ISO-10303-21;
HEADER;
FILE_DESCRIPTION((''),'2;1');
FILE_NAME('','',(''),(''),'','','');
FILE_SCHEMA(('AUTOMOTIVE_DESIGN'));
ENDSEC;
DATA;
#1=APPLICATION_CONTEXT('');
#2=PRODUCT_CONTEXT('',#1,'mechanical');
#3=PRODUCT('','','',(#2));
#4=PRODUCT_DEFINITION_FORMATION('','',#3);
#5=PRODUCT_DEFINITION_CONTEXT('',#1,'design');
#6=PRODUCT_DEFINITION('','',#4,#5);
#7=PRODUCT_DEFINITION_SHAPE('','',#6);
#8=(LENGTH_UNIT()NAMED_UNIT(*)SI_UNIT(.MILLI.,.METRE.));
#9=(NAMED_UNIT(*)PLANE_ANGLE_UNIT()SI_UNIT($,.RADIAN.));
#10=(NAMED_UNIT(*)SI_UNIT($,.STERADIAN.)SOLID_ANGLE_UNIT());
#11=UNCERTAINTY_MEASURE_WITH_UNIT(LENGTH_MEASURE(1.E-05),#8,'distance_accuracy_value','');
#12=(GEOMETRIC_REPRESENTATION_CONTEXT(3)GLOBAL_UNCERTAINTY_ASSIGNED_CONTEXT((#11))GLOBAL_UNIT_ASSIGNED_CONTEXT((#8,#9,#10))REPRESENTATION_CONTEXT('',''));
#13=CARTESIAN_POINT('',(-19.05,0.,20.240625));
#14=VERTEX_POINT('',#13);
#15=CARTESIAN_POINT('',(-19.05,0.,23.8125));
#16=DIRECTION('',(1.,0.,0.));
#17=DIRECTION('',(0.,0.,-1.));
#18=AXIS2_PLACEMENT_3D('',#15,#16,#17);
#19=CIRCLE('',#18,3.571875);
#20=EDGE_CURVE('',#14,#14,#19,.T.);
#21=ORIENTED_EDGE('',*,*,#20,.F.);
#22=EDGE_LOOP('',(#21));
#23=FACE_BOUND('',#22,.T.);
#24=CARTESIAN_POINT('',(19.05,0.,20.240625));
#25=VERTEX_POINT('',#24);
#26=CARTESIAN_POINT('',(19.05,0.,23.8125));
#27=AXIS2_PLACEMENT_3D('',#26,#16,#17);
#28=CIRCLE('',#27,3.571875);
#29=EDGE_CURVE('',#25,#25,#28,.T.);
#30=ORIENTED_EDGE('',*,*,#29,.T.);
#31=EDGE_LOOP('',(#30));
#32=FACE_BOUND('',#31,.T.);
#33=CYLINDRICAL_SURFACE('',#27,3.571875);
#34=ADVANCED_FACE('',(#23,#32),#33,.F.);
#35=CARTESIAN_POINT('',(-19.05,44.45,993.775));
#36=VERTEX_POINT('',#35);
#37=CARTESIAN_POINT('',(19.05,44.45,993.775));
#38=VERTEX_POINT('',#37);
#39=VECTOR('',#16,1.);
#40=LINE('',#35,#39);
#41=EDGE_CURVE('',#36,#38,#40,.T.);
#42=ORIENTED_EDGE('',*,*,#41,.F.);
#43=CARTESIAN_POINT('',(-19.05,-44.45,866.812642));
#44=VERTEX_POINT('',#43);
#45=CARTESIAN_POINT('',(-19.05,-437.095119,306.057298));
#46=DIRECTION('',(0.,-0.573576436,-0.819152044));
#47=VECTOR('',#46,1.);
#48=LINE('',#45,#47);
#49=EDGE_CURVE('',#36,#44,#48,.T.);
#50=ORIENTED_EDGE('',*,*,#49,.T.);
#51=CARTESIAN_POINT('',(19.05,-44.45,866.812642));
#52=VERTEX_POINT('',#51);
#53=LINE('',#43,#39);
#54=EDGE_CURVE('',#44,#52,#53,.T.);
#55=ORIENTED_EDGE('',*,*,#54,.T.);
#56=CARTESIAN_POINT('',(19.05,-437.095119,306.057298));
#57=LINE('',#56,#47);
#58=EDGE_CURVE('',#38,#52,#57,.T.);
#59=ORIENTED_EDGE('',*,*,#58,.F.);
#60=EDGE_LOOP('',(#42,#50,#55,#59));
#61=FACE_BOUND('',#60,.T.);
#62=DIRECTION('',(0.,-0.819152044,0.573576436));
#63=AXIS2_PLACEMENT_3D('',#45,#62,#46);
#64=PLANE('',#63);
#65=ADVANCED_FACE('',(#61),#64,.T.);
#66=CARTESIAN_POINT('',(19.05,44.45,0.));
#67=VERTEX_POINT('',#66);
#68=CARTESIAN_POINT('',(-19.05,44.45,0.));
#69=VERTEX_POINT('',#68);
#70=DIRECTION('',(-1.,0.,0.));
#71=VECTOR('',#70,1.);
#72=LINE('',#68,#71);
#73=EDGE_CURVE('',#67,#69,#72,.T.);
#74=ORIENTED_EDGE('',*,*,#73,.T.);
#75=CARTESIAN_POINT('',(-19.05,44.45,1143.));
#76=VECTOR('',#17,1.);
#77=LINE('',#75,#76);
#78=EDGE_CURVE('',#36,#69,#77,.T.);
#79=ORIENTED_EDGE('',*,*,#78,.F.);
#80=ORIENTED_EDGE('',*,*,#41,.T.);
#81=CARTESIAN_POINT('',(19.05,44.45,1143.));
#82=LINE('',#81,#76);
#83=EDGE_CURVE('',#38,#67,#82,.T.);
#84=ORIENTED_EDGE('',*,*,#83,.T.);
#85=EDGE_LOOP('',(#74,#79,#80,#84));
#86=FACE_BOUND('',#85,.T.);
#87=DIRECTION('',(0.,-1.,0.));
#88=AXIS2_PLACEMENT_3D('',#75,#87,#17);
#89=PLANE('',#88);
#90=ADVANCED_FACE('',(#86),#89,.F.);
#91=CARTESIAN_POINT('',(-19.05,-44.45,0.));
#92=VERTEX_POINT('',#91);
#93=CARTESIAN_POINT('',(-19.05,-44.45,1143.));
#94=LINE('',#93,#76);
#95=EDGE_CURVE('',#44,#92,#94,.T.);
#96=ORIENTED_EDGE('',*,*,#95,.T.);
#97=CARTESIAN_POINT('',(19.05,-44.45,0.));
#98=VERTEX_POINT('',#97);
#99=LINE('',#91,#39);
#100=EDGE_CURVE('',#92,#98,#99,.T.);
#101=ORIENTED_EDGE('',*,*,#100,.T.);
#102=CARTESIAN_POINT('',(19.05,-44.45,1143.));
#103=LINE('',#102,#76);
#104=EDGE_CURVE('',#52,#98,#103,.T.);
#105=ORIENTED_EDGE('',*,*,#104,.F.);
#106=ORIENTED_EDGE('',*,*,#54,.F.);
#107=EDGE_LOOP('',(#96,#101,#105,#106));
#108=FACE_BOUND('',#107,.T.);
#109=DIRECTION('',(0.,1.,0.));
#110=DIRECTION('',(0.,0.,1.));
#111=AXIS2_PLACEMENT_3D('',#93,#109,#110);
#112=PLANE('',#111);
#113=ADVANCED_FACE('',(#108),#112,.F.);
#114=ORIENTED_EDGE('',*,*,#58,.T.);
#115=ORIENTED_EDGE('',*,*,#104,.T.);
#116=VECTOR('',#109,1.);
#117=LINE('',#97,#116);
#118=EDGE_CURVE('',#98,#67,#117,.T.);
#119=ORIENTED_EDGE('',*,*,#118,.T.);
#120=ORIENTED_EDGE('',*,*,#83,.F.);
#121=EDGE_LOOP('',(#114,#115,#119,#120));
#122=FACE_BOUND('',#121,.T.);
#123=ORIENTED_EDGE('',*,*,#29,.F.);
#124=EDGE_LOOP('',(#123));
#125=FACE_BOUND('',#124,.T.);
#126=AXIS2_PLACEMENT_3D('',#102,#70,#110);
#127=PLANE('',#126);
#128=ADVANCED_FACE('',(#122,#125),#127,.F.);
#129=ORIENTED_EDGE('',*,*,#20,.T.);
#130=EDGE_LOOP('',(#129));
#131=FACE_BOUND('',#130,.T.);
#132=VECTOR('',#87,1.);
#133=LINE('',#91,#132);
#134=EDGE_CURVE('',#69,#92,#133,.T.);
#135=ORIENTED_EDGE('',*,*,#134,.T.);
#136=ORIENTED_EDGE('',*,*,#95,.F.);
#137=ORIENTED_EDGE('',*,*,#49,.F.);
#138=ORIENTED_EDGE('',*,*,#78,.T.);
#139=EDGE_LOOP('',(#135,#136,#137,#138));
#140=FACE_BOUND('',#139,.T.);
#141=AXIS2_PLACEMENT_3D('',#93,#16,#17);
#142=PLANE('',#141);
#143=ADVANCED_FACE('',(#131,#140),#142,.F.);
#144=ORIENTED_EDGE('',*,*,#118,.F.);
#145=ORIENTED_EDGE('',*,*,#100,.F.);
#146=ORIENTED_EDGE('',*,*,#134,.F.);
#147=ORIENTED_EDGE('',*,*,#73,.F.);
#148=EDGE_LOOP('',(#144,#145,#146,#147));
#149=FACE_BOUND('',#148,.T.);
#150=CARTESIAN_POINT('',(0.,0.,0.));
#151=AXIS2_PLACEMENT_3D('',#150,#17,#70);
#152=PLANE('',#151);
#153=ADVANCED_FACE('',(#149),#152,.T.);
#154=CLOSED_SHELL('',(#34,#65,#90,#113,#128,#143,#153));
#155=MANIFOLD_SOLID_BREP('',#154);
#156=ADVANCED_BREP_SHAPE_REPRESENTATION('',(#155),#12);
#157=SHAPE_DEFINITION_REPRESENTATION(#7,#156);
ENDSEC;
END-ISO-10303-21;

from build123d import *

# Parameters (mm, degrees)
SKETCH1_W                       = 38.1
SKETCH1_H                       = 88.9
BOSS_EXTRUDE1_DEPTH             = 1143
F_9_32_0_28125_DIAMETER_HOLE1_D = 7.14375
SKETCH5_R                       = 3.571875
CUT_EXTRUDE1_DEPTH              = 39.1


with BuildPart() as part:
    # Sketch1 → Boss-Extrude1 (new body)
    with BuildSketch(Plane.XY):
        Rectangle(SKETCH1_W, SKETCH1_H)
    extrude(amount=BOSS_EXTRUDE1_DEPTH)

    # 9/32 (0.28125) Diameter Hole1 (through all)
    with Locations(Plane(origin=(19.05, 0, 0), x_dir=(0, 0, -1), z_dir=(1, 0, 0))):
        with Locations((-1128.7125, 0), (-23.8125, 0)):
            Hole(F_9_32_0_28125_DIAMETER_HOLE1_D / 2)

    # Sketch5 → Cut-Extrude1 (cut, through all)
    with BuildSketch(Plane(origin=(19.05, 0, 0), x_dir=(0, 0, -1), z_dir=(1, 0, 0))):
        Polygon((-866.812642201, -44.45), (-993.775, 44.45), (-1143, 44.45), (-1143, -44.45), (-869.95, -44.45), align=None)
        with Locations((-1128.7125, 0)):
            Circle(SKETCH5_R, mode=Mode.SUBTRACT)
    extrude(amount=-CUT_EXTRUDE1_DEPTH, mode=Mode.SUBTRACT)


solid = part.part
